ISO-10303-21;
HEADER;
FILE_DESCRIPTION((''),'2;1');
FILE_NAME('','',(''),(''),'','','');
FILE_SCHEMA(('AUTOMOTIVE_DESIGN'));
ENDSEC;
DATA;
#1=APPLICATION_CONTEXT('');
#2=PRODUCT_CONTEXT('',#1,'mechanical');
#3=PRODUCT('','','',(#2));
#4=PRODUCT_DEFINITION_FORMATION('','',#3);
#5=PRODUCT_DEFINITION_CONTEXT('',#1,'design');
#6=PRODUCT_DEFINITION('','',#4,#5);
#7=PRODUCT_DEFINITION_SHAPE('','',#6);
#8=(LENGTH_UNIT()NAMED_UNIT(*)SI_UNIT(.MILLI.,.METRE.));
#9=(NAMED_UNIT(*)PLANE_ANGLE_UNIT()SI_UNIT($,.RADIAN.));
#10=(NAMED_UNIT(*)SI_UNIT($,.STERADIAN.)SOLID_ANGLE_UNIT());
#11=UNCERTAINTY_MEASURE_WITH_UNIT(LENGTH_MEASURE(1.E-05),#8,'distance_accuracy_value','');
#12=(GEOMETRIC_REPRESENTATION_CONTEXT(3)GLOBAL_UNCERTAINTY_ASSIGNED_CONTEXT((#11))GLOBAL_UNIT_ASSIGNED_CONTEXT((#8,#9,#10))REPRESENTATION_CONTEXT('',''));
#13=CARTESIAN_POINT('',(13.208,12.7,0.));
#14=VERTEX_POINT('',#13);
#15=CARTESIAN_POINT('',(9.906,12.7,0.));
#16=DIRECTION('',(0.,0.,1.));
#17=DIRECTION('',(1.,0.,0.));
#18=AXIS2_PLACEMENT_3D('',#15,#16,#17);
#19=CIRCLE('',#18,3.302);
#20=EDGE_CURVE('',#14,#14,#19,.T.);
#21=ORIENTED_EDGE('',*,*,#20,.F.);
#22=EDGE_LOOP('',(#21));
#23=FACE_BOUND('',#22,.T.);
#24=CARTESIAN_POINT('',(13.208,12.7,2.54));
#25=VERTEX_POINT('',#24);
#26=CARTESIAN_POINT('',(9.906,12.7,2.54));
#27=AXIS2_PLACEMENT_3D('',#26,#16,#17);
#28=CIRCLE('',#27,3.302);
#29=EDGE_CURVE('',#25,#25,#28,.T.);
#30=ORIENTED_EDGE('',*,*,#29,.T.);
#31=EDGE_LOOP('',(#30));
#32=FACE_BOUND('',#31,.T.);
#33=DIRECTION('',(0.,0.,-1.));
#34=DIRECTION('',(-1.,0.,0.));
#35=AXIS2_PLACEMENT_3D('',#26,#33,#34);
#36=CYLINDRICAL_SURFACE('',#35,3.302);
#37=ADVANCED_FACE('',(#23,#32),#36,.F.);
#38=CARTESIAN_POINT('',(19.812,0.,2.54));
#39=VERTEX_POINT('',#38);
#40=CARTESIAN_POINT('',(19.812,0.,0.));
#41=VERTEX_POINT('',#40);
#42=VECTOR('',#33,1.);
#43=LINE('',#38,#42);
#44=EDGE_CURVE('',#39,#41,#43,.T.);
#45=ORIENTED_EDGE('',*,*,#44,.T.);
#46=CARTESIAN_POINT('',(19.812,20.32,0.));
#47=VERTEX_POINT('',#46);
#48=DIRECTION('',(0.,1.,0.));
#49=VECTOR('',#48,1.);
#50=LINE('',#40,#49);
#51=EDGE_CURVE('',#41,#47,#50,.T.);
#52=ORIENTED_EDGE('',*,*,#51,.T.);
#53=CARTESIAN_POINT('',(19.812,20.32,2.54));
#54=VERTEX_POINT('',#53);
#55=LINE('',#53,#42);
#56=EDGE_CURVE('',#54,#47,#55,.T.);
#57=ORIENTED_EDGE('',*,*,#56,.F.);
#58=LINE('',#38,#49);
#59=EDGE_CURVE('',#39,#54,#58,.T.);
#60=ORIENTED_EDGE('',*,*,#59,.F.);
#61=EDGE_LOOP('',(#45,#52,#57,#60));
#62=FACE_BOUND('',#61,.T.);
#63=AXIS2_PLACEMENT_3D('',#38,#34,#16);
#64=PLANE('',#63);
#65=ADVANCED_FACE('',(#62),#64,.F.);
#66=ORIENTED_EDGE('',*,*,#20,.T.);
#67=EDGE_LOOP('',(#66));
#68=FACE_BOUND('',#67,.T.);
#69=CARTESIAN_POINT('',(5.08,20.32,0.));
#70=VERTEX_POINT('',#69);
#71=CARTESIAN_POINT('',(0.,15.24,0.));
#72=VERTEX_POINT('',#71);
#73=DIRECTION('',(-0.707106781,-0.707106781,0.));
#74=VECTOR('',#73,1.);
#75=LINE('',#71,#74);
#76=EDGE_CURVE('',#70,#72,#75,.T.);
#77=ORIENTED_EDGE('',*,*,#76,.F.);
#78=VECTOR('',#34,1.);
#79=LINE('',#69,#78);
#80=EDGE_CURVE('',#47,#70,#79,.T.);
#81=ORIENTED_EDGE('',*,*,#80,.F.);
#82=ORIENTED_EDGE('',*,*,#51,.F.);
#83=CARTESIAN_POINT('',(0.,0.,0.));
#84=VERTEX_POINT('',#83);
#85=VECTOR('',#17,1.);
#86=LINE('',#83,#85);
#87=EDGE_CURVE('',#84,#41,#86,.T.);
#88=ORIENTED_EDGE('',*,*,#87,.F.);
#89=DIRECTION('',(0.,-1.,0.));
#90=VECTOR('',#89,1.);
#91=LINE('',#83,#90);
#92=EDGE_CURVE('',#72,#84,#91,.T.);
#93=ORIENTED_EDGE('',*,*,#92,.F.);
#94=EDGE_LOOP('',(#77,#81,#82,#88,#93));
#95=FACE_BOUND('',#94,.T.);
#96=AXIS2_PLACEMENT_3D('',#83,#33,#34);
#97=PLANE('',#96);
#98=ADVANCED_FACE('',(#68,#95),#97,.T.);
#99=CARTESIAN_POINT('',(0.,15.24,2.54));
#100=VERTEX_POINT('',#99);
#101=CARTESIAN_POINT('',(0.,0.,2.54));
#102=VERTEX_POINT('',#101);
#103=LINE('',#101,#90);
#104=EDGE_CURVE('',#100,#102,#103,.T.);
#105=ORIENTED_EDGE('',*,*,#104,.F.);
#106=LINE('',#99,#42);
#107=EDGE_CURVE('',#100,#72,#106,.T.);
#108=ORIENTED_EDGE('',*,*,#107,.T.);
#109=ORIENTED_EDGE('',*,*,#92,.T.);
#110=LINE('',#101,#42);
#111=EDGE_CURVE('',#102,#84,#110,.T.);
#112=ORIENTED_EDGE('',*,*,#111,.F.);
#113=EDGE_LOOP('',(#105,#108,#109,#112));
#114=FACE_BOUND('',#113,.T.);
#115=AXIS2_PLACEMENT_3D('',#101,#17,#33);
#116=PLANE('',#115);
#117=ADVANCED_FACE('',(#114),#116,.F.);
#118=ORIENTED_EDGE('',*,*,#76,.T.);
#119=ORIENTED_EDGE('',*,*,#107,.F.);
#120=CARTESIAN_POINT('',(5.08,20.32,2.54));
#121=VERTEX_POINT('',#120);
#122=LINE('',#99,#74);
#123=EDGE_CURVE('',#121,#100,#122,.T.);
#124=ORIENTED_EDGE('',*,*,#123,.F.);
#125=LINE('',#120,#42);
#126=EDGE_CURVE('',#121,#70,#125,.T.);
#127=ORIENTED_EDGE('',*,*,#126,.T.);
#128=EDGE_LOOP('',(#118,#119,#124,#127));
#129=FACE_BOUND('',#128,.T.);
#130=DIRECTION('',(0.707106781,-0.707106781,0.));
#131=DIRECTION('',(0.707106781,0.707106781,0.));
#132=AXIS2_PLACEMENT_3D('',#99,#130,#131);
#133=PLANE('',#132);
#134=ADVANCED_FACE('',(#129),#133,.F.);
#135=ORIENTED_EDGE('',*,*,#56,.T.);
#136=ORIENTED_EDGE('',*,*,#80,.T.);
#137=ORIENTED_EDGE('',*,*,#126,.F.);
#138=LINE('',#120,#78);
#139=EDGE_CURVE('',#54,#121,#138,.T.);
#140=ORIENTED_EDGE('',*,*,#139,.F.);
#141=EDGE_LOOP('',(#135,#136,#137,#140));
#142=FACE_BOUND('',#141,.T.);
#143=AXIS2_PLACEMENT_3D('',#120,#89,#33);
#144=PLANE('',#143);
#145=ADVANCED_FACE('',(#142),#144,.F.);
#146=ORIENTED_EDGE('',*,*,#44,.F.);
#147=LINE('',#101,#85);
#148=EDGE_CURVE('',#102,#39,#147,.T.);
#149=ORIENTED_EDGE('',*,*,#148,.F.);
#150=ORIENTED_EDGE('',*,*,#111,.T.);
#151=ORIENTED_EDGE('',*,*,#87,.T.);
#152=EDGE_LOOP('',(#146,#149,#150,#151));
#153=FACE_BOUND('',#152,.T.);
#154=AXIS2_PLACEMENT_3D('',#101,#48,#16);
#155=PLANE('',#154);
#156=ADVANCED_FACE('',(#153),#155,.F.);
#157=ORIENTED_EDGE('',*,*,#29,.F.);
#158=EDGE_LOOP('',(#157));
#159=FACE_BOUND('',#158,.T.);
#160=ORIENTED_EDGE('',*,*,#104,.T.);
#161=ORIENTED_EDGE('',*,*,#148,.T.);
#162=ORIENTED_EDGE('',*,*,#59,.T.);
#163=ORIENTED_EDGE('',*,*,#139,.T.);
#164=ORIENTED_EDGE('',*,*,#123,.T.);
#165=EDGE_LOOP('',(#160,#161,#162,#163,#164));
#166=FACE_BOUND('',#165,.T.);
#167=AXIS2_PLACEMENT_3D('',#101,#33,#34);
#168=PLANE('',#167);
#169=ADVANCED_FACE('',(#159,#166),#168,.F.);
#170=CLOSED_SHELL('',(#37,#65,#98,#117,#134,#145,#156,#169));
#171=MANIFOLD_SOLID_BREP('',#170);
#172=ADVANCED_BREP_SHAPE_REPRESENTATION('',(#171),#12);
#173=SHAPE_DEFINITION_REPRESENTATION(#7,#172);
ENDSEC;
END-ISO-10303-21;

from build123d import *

# Parameters (mm, degrees)
SKETCH1_R           = 3.302
BOSS_EXTRUDE1_DEPTH = 2.54


with BuildPart() as part:
    # Sketch1 → Boss-Extrude1 (new body)
    with BuildSketch(Plane.XY):
        Polygon((0, 15.24), (5.08, 20.32), (19.812, 20.32), (19.812, 0), (0, 0), align=None)
        with Locations((9.906, 12.7)):
            Circle(SKETCH1_R, mode=Mode.SUBTRACT)
    extrude(amount=BOSS_EXTRUDE1_DEPTH)


solid = part.part
